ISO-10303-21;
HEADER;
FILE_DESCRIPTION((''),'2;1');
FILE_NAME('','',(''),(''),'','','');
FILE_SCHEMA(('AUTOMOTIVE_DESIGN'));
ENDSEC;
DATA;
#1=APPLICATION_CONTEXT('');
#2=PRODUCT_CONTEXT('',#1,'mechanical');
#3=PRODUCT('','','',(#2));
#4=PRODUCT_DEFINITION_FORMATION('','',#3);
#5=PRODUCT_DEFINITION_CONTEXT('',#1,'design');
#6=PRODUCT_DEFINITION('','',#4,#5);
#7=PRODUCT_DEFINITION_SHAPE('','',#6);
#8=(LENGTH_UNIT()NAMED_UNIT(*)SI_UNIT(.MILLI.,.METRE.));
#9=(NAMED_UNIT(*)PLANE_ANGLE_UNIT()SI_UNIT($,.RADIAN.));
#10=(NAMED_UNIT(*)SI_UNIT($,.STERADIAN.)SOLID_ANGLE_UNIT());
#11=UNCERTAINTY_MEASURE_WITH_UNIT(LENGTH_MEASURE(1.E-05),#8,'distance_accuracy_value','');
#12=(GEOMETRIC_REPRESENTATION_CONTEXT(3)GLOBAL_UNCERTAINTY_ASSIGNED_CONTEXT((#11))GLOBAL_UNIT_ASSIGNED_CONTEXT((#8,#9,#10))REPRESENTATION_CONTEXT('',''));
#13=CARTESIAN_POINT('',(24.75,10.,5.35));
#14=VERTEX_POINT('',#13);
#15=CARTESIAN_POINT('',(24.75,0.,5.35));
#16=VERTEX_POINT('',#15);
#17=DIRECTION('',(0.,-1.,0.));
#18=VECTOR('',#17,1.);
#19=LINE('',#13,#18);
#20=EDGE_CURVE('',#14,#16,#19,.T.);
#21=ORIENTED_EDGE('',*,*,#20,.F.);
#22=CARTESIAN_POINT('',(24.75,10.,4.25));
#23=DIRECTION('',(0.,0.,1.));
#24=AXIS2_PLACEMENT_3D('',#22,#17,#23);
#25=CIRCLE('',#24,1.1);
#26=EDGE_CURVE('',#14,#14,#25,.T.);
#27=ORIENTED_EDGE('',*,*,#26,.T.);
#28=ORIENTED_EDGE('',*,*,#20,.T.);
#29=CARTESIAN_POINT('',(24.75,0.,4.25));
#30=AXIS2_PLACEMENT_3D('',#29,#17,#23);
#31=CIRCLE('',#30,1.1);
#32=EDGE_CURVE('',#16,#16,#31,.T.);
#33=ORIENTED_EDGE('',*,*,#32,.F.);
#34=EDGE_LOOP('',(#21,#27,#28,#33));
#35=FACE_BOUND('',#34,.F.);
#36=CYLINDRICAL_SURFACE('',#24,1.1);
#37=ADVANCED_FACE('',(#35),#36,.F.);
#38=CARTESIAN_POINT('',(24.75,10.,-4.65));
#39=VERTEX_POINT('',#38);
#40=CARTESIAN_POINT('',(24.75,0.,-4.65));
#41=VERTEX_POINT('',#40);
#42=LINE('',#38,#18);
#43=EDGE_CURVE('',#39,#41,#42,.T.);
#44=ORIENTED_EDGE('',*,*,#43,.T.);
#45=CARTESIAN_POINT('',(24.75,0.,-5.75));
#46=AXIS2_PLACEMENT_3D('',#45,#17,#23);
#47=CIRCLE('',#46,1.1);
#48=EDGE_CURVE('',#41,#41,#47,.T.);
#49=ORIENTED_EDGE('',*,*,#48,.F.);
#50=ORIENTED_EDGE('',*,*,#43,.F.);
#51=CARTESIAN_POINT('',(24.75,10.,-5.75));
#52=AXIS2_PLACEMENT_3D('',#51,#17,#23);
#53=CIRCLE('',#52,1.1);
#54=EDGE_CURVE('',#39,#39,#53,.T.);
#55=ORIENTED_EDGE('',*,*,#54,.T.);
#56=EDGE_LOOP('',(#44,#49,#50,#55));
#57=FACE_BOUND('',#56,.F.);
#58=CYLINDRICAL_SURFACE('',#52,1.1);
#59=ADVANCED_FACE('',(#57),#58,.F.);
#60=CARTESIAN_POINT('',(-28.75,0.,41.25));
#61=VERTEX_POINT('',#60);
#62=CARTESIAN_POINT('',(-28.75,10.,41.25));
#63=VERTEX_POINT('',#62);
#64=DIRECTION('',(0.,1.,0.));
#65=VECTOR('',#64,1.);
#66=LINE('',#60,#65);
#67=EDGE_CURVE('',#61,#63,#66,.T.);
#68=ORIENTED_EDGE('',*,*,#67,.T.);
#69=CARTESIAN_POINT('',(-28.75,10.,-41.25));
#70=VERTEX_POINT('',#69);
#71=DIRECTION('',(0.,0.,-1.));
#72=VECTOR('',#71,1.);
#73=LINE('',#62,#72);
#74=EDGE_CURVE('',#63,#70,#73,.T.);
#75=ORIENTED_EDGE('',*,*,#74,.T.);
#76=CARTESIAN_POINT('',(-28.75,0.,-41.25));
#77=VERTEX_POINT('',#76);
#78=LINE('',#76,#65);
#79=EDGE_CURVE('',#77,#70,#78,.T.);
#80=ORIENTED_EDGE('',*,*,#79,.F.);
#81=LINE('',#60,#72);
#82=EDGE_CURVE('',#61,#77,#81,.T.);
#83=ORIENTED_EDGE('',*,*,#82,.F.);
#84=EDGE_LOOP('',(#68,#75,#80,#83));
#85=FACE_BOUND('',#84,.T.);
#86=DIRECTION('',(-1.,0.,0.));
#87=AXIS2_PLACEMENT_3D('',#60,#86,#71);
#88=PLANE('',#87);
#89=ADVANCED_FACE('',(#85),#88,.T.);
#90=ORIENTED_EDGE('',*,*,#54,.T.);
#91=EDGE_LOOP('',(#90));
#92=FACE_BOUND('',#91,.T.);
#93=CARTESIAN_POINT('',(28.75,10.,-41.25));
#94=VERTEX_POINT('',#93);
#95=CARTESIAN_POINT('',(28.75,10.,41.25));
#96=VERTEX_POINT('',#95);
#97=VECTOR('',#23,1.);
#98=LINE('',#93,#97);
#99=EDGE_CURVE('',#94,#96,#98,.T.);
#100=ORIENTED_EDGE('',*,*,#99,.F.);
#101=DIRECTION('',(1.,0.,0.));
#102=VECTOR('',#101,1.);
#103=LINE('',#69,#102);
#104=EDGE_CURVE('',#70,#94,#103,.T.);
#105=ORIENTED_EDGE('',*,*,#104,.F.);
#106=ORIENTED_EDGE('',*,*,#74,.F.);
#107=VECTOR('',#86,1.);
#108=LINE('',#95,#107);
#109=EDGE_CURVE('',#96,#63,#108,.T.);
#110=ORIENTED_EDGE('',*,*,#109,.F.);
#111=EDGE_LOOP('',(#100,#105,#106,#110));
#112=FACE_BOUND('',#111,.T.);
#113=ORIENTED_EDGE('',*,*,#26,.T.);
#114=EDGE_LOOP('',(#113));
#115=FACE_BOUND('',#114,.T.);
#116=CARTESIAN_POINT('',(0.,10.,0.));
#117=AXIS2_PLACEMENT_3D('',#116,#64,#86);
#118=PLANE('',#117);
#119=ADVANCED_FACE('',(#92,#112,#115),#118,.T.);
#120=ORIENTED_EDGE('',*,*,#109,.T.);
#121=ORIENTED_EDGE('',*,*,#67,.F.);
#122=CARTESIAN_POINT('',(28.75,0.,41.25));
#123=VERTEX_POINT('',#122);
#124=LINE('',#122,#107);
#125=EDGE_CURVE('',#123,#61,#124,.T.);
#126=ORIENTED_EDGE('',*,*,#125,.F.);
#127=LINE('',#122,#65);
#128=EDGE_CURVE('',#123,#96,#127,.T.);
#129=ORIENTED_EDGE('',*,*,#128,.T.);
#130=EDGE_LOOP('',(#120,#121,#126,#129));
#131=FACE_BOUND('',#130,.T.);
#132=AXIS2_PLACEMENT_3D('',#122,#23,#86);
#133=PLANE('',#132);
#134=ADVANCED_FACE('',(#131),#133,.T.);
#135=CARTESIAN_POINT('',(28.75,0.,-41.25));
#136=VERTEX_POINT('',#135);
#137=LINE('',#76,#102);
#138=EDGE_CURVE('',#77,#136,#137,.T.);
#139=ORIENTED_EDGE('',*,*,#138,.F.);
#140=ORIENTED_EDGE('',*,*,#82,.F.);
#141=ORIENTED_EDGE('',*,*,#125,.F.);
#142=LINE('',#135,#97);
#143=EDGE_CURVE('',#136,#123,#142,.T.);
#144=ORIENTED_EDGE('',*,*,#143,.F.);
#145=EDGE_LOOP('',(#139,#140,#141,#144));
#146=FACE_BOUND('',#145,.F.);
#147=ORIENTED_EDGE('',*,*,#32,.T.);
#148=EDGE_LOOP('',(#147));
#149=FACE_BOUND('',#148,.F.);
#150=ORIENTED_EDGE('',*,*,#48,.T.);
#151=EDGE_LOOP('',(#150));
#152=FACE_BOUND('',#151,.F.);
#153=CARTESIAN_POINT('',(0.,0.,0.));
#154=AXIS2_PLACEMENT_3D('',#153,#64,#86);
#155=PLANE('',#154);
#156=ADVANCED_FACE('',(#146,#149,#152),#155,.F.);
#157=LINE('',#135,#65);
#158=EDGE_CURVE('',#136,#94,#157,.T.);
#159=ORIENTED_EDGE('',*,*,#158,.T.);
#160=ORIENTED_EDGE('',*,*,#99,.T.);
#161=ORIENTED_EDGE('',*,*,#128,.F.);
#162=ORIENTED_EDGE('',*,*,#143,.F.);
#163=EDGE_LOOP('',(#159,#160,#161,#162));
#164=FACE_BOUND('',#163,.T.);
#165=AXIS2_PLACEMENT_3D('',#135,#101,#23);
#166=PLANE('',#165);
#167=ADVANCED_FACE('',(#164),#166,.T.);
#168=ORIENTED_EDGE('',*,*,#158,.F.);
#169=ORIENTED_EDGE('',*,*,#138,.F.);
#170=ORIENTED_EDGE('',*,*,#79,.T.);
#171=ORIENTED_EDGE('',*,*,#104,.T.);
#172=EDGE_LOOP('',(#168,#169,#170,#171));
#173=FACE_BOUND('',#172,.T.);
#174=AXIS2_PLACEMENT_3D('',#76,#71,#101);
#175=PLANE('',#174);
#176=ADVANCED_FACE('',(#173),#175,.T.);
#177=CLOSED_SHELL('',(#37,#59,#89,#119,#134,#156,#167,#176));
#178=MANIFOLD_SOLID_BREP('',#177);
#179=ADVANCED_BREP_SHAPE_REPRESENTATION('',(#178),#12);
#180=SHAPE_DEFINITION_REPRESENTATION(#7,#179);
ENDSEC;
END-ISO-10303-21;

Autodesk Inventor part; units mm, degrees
ref_plane "YZ Plane" through (0, 0, 0) normal (1, 0, 0) x (0, 1, 0)
ref_plane "XZ Plane" through (0, 0, 0) normal (0, 1, 0) x (-1, 0, 0)
ref_plane "XY Plane" through (0, 0, 0) normal (0, 0, 1) x (1, 0, 0)
sketch "Sketch1" plane through (0, 0, 0) normal (0, 1, 0) x (-1, 0, 0)
  line L0 (-28.75, 41.25) -> (28.75, 41.25)
  line L1 (28.75, 41.25) -> (28.75, -41.25)
  line L2 (28.75, -41.25) -> (-28.75, -41.25)
  line L3 (-28.75, -41.25) -> (-28.75, 41.25)
  line L4 (-28.75, 41.25) -> (28.75, -41.25) construction
  line L5 (28.75, 41.25) -> (-28.75, -41.25) construction
  point P0 (0, 0)
  dimension "d1" = 82.5
  dimension "d2" = 57.5
extrude "Extrusion1" add sketch "Sketch1" along normal blind 10
sketch "Sketch2" plane through (0, 10, 0) normal (0, 1, 0) x (1, 0, 0)
  line L0 (-28.75, -41.25) -> (28.75, -41.25) projected
  line L1 (28.75, -41.25) -> (28.75, 41.25) projected
  point P0 (0, 0)
  point P1 (24.75, -4.25)
  point P2 (24.75, 5.75)
  dimension "d12" = 37
  dimension "d13" = 10
  dimension "d14" = 4
  dimension "d15" = 4
hole "Hole1" at (24.75, 10, -5.75) at (24.75, 10, 4.25) direction (0, -1, 0) diameter 2.2 end through all
properties part number "PCB"
